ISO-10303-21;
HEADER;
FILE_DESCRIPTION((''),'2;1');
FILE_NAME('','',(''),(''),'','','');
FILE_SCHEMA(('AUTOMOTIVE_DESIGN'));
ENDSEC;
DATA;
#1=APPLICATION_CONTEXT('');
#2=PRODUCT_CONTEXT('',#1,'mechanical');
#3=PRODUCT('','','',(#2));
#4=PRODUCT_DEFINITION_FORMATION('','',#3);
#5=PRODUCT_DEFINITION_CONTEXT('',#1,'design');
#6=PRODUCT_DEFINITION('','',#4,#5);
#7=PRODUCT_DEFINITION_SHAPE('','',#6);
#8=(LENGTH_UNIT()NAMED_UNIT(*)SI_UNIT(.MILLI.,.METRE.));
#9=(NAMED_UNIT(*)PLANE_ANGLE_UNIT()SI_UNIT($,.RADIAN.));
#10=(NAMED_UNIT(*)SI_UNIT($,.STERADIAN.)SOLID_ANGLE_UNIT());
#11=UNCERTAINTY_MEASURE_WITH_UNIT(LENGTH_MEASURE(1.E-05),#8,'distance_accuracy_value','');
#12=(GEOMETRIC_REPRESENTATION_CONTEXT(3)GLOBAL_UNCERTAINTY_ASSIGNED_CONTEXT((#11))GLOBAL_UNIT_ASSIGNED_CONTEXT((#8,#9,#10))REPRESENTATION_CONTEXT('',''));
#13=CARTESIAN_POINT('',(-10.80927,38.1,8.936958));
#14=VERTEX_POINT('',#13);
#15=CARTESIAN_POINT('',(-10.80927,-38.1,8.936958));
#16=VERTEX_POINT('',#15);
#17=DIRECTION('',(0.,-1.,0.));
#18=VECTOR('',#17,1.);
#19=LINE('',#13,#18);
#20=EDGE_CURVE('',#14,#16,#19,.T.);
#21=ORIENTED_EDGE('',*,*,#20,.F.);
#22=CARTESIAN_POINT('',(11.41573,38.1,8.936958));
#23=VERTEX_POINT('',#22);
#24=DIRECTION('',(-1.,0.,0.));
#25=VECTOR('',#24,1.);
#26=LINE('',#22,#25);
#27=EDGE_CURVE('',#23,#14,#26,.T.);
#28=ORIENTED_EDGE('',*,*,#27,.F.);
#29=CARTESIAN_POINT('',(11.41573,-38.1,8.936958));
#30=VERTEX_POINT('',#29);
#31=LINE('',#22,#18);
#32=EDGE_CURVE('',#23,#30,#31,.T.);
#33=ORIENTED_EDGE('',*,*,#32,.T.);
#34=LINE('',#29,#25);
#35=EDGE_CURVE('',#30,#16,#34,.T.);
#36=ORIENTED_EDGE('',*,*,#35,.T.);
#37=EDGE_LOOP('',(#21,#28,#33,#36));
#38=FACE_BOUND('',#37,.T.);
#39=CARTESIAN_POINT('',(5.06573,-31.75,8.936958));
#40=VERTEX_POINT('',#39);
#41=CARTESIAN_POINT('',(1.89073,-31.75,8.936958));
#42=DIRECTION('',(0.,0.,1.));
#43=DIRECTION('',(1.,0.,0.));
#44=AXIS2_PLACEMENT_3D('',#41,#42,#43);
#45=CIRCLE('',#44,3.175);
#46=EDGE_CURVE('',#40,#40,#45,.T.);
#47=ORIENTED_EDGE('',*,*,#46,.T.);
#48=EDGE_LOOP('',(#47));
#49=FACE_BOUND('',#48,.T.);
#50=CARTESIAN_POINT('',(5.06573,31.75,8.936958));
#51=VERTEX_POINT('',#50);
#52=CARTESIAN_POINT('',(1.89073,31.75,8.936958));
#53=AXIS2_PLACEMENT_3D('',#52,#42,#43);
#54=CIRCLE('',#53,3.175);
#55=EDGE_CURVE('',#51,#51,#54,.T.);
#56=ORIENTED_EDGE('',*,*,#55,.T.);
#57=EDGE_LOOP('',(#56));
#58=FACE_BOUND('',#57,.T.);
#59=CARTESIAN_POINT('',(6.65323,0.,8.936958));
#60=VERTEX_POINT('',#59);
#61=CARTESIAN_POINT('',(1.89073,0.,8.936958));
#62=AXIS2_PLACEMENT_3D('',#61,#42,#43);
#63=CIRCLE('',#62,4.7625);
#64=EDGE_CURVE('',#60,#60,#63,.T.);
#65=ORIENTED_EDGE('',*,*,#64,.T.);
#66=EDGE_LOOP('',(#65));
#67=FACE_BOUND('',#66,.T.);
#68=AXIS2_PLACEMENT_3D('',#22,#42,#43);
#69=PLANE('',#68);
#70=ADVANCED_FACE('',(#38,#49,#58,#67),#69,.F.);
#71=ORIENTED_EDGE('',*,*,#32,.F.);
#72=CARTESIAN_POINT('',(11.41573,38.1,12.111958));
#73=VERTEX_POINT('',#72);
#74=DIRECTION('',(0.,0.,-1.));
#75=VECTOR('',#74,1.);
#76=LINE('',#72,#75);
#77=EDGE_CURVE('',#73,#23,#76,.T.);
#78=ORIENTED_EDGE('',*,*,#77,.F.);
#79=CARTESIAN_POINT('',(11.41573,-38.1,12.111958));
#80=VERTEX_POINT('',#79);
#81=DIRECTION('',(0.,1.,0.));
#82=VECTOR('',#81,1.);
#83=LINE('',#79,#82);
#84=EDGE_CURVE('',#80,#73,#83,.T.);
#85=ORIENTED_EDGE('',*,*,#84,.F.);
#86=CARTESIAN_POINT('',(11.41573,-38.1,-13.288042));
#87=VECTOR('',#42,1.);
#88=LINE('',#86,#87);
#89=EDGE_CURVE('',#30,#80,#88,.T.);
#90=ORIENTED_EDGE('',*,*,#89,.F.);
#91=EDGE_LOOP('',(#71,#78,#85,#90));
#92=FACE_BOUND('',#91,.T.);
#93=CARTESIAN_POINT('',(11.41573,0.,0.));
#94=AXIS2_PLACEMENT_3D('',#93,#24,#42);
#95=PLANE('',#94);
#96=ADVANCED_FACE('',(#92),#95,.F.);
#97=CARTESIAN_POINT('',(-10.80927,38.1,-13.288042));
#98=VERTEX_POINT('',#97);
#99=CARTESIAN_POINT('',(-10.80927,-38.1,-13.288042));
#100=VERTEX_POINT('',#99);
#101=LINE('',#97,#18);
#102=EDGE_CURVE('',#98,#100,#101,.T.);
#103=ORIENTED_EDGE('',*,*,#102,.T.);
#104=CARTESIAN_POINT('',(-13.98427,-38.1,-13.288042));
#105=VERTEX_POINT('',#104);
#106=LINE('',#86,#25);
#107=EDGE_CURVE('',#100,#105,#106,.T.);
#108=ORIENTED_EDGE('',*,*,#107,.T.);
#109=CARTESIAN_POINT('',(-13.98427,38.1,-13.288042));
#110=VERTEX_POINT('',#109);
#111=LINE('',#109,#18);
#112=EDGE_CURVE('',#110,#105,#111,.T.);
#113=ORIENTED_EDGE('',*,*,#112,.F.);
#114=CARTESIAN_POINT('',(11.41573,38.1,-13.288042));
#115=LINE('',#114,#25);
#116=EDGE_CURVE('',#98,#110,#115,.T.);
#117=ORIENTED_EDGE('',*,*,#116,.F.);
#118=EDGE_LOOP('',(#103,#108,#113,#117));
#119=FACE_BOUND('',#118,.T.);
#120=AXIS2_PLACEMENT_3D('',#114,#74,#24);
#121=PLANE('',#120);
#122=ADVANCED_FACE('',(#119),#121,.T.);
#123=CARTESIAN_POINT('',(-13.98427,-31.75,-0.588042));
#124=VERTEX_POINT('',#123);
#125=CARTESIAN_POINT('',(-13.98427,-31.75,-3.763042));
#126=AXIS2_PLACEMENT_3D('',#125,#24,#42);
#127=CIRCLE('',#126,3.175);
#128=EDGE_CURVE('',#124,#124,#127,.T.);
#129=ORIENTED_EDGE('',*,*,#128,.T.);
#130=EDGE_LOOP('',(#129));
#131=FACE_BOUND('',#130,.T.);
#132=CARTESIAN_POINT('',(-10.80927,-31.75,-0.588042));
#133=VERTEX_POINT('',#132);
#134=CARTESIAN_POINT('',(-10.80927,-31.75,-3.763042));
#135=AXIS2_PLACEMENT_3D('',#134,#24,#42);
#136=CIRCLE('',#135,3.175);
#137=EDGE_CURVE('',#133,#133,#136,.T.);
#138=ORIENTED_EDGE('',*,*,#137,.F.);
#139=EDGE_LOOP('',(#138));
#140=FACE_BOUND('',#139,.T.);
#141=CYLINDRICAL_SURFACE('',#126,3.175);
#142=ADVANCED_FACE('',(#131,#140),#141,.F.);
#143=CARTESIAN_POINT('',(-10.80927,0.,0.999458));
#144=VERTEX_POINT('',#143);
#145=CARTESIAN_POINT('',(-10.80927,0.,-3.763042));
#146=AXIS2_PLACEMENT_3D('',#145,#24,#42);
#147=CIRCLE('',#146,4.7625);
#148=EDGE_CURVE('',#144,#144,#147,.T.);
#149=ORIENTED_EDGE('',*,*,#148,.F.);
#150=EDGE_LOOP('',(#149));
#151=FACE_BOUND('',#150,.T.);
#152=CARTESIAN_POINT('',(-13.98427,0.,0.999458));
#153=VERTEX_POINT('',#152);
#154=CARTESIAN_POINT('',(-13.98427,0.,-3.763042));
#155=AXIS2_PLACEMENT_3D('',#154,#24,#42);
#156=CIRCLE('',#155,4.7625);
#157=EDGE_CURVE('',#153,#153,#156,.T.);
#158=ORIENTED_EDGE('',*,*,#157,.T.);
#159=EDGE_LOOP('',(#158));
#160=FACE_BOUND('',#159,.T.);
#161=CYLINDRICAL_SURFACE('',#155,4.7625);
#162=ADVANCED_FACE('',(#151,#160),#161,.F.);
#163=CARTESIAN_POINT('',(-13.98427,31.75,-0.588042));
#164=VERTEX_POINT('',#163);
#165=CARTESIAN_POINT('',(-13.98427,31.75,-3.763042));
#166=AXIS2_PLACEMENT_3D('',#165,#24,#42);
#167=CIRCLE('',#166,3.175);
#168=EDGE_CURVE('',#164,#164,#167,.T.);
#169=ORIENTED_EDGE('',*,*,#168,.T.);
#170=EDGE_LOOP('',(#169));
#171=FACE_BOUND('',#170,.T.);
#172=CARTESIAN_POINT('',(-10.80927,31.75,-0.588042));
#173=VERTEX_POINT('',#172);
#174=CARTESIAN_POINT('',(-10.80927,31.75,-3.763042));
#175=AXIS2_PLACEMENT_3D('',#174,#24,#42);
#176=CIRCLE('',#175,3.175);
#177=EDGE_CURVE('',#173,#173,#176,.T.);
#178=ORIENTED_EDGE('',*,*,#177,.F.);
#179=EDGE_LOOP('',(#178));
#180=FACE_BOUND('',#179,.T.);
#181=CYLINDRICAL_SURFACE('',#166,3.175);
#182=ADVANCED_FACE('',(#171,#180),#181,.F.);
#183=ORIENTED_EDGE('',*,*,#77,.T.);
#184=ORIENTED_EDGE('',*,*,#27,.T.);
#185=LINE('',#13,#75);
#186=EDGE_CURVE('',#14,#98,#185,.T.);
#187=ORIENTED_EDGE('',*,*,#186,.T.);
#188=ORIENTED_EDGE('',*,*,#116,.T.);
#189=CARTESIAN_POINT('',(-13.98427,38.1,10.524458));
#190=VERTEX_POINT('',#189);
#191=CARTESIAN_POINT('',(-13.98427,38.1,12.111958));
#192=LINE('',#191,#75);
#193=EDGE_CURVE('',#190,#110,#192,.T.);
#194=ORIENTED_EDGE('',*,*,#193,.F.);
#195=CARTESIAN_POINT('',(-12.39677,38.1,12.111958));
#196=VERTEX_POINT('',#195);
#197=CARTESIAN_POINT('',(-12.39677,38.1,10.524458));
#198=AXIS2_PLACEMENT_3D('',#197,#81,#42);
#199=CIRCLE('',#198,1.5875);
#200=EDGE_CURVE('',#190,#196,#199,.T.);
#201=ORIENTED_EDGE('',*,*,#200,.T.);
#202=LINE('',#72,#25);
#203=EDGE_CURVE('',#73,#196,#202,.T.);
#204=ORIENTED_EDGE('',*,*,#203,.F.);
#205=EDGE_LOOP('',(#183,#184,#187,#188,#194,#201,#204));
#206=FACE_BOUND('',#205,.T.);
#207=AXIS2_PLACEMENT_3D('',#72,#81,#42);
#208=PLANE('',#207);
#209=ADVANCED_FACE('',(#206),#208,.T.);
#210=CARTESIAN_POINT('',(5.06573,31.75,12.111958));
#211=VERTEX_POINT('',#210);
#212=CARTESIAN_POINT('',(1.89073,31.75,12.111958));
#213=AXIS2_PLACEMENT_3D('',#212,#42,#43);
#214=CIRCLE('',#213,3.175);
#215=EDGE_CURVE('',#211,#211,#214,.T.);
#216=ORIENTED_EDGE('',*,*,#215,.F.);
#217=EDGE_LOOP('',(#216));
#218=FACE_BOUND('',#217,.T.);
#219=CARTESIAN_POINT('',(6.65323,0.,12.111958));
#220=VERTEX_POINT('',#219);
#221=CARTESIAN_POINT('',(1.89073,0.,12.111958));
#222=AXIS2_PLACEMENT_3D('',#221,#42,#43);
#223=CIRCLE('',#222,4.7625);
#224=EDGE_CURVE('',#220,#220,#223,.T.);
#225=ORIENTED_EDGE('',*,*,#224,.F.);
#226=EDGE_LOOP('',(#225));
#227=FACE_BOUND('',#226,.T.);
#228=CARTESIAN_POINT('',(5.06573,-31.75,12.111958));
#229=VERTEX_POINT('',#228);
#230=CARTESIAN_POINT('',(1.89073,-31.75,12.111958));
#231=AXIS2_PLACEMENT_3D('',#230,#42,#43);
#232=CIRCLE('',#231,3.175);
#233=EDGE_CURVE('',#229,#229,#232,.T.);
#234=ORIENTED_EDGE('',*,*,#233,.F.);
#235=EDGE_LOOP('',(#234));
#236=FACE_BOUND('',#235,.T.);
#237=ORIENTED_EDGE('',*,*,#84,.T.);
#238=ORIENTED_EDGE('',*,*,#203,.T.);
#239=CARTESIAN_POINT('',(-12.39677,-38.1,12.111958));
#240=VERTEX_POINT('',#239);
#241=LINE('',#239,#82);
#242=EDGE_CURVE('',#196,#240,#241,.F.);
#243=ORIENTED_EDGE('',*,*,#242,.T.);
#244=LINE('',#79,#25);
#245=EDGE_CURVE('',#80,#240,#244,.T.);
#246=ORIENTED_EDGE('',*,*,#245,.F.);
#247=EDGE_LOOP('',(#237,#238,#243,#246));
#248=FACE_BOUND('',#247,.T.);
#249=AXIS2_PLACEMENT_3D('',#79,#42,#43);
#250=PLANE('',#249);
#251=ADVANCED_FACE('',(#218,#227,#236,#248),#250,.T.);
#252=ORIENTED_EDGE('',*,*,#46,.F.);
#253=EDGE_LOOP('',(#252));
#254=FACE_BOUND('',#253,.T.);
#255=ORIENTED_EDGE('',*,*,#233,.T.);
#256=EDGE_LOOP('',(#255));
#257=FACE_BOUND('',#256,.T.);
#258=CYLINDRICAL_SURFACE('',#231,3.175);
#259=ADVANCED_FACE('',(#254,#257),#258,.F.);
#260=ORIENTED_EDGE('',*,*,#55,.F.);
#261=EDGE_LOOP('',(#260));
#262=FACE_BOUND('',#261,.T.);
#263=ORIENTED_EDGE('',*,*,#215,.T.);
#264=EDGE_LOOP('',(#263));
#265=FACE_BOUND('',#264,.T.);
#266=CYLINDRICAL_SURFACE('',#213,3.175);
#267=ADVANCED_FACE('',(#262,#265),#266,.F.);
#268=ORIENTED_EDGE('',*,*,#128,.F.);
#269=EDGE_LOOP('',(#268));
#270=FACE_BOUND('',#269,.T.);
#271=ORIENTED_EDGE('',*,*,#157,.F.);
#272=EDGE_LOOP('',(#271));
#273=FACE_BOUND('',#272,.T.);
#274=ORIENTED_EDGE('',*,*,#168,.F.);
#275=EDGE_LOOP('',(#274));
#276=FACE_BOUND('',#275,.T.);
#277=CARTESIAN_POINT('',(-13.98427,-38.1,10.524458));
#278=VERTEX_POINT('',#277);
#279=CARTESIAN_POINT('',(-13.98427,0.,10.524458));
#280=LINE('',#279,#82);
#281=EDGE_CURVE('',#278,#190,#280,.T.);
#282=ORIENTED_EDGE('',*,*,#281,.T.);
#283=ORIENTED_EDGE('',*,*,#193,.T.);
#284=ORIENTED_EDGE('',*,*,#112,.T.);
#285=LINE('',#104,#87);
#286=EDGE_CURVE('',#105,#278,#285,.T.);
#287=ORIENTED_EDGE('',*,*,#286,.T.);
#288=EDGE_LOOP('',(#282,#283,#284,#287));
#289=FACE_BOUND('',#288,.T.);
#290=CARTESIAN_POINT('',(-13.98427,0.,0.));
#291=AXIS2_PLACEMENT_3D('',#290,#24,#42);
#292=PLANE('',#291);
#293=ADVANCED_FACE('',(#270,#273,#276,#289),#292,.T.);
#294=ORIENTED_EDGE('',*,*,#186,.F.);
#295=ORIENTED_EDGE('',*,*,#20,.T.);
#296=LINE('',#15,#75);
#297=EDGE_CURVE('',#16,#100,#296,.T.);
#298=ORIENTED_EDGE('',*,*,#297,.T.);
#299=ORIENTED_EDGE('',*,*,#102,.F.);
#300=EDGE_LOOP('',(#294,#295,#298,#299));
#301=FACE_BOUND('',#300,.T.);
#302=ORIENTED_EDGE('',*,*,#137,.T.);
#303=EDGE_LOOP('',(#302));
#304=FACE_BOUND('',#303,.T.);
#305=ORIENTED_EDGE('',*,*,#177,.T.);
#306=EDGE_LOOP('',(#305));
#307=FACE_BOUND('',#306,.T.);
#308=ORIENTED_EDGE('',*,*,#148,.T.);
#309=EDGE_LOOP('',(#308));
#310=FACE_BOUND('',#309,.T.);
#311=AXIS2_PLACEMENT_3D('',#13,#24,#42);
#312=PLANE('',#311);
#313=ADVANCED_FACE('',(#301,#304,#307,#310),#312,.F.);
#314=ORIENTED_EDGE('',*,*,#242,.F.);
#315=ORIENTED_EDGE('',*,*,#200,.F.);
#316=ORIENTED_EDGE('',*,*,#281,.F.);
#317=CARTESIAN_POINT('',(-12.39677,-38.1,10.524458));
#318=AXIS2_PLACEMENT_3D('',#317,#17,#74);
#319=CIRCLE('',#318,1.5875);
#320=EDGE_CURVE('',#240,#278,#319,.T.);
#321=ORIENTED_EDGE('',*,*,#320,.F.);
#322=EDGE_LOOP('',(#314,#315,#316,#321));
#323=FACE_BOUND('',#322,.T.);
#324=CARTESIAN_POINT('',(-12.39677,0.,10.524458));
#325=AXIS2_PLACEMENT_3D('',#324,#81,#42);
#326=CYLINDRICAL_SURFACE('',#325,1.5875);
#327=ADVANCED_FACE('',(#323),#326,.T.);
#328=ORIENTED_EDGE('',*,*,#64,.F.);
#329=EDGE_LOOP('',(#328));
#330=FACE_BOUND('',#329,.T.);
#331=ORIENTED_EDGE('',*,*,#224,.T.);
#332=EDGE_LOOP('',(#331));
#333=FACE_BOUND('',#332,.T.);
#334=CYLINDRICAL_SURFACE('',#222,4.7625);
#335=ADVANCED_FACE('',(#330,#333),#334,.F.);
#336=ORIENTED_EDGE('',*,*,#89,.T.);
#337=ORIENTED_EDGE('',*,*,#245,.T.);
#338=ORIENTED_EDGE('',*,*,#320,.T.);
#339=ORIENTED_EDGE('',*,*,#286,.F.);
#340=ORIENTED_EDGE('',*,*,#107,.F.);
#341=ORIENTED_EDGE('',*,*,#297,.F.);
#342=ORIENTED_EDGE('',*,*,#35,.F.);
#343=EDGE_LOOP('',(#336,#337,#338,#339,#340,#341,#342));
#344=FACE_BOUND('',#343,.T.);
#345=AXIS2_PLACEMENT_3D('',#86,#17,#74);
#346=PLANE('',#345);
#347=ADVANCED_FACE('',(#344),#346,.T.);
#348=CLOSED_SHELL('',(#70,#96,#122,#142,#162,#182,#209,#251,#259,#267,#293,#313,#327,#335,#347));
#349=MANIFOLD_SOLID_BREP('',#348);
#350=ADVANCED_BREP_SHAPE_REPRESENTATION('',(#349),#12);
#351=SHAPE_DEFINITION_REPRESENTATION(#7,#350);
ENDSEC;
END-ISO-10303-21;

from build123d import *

# Parameters (mm, degrees)
SKETCH1_W                                 = 76.2
SKETCH1_H                                 = 25.4
BOSS_EXTRUDE1_DEPTH                       = 25.4
SKETCH2_W                                 = 22.225
SKETCH2_H                                 = 22.225
CUT_EXTRUDE1_DEPTH                        = 77.2
FILLET1_R                                 = 1.5875
F_1_4_0_25_DIAMETER_HOLE4_D               = 6.35
F_1_4_0_25_DIAMETER_HOLE4_DEPTH           = 3.175
F_1_4_0_25_DIAMETER_HOLE4_ON_FACE_2_D     = 6.35
F_1_4_0_25_DIAMETER_HOLE4_ON_FACE_2_DEPTH = 3.175
F_3_8_0_375_DIAMETER_HOLE1_D              = 9.525
F_3_8_0_375_DIAMETER_HOLE1_ON_FACE_2_D    = 9.525


with BuildPart() as part:
    # Sketch1 → Boss-Extrude1 (new body)
    with BuildSketch(Plane(origin=(-13.984269616, 0, 0), x_dir=(0, -1, 0), z_dir=(-1, 0, 0))):
        with Locations((0, -0.588041782)):
            Rectangle(SKETCH1_W, SKETCH1_H)
    extrude(amount=-BOSS_EXTRUDE1_DEPTH)

    # Sketch2 → Cut-Extrude1 (cut, through all)
    with BuildSketch(Plane.XZ.offset(38.1)):
        with Locations((0.303230384, -2.175541782)):
            Rectangle(SKETCH2_W, SKETCH2_H)
    extrude(amount=-CUT_EXTRUDE1_DEPTH, mode=Mode.SUBTRACT)

    # Fillet1
    fillet1_edges = [part.edges().sort_by_distance(p)[0] for p in [
        (-13.984269616, 0, 12.111958218),
    ]]
    fillet(fillet1_edges, radius=FILLET1_R)

    # 1/4 (0.25) Diameter Hole4
    with Locations(Plane(origin=(1.890730384, 31.75, 12.111958218), x_dir=(1, 0, 0), z_dir=(0, 0, 1))):
        with Locations((0, 0), (0, -63.5)):
            Hole(F_1_4_0_25_DIAMETER_HOLE4_D / 2, depth=F_1_4_0_25_DIAMETER_HOLE4_DEPTH)

    # 1/4 (0.25) Diameter Hole4 on face 2
    with Locations(Plane(origin=(-13.984269616, 31.75, -3.763041782), x_dir=(0, 0, -1), z_dir=(-1, 0, 0))):
        with Locations((0, 0), (0, 63.5)):
            Hole(F_1_4_0_25_DIAMETER_HOLE4_ON_FACE_2_D / 2, depth=F_1_4_0_25_DIAMETER_HOLE4_ON_FACE_2_DEPTH)

    # 3/8 (0.375) Diameter Hole1 (through all)
    with Locations(Plane(origin=(-13.984269616, 0, -3.763041782), x_dir=(0, 0, -1), z_dir=(-1, 0, 0))):
        with Locations((0, 0)):
            Hole(F_3_8_0_375_DIAMETER_HOLE1_D / 2)

    # 3/8 (0.375) Diameter Hole1 on face 2 (through all)
    with Locations(Plane(origin=(1.890730384, 0, 12.111958218), x_dir=(1, 0, 0), z_dir=(0, 0, 1))):
        with Locations((0, 0)):
            Hole(F_3_8_0_375_DIAMETER_HOLE1_ON_FACE_2_D / 2)


solid = part.part
